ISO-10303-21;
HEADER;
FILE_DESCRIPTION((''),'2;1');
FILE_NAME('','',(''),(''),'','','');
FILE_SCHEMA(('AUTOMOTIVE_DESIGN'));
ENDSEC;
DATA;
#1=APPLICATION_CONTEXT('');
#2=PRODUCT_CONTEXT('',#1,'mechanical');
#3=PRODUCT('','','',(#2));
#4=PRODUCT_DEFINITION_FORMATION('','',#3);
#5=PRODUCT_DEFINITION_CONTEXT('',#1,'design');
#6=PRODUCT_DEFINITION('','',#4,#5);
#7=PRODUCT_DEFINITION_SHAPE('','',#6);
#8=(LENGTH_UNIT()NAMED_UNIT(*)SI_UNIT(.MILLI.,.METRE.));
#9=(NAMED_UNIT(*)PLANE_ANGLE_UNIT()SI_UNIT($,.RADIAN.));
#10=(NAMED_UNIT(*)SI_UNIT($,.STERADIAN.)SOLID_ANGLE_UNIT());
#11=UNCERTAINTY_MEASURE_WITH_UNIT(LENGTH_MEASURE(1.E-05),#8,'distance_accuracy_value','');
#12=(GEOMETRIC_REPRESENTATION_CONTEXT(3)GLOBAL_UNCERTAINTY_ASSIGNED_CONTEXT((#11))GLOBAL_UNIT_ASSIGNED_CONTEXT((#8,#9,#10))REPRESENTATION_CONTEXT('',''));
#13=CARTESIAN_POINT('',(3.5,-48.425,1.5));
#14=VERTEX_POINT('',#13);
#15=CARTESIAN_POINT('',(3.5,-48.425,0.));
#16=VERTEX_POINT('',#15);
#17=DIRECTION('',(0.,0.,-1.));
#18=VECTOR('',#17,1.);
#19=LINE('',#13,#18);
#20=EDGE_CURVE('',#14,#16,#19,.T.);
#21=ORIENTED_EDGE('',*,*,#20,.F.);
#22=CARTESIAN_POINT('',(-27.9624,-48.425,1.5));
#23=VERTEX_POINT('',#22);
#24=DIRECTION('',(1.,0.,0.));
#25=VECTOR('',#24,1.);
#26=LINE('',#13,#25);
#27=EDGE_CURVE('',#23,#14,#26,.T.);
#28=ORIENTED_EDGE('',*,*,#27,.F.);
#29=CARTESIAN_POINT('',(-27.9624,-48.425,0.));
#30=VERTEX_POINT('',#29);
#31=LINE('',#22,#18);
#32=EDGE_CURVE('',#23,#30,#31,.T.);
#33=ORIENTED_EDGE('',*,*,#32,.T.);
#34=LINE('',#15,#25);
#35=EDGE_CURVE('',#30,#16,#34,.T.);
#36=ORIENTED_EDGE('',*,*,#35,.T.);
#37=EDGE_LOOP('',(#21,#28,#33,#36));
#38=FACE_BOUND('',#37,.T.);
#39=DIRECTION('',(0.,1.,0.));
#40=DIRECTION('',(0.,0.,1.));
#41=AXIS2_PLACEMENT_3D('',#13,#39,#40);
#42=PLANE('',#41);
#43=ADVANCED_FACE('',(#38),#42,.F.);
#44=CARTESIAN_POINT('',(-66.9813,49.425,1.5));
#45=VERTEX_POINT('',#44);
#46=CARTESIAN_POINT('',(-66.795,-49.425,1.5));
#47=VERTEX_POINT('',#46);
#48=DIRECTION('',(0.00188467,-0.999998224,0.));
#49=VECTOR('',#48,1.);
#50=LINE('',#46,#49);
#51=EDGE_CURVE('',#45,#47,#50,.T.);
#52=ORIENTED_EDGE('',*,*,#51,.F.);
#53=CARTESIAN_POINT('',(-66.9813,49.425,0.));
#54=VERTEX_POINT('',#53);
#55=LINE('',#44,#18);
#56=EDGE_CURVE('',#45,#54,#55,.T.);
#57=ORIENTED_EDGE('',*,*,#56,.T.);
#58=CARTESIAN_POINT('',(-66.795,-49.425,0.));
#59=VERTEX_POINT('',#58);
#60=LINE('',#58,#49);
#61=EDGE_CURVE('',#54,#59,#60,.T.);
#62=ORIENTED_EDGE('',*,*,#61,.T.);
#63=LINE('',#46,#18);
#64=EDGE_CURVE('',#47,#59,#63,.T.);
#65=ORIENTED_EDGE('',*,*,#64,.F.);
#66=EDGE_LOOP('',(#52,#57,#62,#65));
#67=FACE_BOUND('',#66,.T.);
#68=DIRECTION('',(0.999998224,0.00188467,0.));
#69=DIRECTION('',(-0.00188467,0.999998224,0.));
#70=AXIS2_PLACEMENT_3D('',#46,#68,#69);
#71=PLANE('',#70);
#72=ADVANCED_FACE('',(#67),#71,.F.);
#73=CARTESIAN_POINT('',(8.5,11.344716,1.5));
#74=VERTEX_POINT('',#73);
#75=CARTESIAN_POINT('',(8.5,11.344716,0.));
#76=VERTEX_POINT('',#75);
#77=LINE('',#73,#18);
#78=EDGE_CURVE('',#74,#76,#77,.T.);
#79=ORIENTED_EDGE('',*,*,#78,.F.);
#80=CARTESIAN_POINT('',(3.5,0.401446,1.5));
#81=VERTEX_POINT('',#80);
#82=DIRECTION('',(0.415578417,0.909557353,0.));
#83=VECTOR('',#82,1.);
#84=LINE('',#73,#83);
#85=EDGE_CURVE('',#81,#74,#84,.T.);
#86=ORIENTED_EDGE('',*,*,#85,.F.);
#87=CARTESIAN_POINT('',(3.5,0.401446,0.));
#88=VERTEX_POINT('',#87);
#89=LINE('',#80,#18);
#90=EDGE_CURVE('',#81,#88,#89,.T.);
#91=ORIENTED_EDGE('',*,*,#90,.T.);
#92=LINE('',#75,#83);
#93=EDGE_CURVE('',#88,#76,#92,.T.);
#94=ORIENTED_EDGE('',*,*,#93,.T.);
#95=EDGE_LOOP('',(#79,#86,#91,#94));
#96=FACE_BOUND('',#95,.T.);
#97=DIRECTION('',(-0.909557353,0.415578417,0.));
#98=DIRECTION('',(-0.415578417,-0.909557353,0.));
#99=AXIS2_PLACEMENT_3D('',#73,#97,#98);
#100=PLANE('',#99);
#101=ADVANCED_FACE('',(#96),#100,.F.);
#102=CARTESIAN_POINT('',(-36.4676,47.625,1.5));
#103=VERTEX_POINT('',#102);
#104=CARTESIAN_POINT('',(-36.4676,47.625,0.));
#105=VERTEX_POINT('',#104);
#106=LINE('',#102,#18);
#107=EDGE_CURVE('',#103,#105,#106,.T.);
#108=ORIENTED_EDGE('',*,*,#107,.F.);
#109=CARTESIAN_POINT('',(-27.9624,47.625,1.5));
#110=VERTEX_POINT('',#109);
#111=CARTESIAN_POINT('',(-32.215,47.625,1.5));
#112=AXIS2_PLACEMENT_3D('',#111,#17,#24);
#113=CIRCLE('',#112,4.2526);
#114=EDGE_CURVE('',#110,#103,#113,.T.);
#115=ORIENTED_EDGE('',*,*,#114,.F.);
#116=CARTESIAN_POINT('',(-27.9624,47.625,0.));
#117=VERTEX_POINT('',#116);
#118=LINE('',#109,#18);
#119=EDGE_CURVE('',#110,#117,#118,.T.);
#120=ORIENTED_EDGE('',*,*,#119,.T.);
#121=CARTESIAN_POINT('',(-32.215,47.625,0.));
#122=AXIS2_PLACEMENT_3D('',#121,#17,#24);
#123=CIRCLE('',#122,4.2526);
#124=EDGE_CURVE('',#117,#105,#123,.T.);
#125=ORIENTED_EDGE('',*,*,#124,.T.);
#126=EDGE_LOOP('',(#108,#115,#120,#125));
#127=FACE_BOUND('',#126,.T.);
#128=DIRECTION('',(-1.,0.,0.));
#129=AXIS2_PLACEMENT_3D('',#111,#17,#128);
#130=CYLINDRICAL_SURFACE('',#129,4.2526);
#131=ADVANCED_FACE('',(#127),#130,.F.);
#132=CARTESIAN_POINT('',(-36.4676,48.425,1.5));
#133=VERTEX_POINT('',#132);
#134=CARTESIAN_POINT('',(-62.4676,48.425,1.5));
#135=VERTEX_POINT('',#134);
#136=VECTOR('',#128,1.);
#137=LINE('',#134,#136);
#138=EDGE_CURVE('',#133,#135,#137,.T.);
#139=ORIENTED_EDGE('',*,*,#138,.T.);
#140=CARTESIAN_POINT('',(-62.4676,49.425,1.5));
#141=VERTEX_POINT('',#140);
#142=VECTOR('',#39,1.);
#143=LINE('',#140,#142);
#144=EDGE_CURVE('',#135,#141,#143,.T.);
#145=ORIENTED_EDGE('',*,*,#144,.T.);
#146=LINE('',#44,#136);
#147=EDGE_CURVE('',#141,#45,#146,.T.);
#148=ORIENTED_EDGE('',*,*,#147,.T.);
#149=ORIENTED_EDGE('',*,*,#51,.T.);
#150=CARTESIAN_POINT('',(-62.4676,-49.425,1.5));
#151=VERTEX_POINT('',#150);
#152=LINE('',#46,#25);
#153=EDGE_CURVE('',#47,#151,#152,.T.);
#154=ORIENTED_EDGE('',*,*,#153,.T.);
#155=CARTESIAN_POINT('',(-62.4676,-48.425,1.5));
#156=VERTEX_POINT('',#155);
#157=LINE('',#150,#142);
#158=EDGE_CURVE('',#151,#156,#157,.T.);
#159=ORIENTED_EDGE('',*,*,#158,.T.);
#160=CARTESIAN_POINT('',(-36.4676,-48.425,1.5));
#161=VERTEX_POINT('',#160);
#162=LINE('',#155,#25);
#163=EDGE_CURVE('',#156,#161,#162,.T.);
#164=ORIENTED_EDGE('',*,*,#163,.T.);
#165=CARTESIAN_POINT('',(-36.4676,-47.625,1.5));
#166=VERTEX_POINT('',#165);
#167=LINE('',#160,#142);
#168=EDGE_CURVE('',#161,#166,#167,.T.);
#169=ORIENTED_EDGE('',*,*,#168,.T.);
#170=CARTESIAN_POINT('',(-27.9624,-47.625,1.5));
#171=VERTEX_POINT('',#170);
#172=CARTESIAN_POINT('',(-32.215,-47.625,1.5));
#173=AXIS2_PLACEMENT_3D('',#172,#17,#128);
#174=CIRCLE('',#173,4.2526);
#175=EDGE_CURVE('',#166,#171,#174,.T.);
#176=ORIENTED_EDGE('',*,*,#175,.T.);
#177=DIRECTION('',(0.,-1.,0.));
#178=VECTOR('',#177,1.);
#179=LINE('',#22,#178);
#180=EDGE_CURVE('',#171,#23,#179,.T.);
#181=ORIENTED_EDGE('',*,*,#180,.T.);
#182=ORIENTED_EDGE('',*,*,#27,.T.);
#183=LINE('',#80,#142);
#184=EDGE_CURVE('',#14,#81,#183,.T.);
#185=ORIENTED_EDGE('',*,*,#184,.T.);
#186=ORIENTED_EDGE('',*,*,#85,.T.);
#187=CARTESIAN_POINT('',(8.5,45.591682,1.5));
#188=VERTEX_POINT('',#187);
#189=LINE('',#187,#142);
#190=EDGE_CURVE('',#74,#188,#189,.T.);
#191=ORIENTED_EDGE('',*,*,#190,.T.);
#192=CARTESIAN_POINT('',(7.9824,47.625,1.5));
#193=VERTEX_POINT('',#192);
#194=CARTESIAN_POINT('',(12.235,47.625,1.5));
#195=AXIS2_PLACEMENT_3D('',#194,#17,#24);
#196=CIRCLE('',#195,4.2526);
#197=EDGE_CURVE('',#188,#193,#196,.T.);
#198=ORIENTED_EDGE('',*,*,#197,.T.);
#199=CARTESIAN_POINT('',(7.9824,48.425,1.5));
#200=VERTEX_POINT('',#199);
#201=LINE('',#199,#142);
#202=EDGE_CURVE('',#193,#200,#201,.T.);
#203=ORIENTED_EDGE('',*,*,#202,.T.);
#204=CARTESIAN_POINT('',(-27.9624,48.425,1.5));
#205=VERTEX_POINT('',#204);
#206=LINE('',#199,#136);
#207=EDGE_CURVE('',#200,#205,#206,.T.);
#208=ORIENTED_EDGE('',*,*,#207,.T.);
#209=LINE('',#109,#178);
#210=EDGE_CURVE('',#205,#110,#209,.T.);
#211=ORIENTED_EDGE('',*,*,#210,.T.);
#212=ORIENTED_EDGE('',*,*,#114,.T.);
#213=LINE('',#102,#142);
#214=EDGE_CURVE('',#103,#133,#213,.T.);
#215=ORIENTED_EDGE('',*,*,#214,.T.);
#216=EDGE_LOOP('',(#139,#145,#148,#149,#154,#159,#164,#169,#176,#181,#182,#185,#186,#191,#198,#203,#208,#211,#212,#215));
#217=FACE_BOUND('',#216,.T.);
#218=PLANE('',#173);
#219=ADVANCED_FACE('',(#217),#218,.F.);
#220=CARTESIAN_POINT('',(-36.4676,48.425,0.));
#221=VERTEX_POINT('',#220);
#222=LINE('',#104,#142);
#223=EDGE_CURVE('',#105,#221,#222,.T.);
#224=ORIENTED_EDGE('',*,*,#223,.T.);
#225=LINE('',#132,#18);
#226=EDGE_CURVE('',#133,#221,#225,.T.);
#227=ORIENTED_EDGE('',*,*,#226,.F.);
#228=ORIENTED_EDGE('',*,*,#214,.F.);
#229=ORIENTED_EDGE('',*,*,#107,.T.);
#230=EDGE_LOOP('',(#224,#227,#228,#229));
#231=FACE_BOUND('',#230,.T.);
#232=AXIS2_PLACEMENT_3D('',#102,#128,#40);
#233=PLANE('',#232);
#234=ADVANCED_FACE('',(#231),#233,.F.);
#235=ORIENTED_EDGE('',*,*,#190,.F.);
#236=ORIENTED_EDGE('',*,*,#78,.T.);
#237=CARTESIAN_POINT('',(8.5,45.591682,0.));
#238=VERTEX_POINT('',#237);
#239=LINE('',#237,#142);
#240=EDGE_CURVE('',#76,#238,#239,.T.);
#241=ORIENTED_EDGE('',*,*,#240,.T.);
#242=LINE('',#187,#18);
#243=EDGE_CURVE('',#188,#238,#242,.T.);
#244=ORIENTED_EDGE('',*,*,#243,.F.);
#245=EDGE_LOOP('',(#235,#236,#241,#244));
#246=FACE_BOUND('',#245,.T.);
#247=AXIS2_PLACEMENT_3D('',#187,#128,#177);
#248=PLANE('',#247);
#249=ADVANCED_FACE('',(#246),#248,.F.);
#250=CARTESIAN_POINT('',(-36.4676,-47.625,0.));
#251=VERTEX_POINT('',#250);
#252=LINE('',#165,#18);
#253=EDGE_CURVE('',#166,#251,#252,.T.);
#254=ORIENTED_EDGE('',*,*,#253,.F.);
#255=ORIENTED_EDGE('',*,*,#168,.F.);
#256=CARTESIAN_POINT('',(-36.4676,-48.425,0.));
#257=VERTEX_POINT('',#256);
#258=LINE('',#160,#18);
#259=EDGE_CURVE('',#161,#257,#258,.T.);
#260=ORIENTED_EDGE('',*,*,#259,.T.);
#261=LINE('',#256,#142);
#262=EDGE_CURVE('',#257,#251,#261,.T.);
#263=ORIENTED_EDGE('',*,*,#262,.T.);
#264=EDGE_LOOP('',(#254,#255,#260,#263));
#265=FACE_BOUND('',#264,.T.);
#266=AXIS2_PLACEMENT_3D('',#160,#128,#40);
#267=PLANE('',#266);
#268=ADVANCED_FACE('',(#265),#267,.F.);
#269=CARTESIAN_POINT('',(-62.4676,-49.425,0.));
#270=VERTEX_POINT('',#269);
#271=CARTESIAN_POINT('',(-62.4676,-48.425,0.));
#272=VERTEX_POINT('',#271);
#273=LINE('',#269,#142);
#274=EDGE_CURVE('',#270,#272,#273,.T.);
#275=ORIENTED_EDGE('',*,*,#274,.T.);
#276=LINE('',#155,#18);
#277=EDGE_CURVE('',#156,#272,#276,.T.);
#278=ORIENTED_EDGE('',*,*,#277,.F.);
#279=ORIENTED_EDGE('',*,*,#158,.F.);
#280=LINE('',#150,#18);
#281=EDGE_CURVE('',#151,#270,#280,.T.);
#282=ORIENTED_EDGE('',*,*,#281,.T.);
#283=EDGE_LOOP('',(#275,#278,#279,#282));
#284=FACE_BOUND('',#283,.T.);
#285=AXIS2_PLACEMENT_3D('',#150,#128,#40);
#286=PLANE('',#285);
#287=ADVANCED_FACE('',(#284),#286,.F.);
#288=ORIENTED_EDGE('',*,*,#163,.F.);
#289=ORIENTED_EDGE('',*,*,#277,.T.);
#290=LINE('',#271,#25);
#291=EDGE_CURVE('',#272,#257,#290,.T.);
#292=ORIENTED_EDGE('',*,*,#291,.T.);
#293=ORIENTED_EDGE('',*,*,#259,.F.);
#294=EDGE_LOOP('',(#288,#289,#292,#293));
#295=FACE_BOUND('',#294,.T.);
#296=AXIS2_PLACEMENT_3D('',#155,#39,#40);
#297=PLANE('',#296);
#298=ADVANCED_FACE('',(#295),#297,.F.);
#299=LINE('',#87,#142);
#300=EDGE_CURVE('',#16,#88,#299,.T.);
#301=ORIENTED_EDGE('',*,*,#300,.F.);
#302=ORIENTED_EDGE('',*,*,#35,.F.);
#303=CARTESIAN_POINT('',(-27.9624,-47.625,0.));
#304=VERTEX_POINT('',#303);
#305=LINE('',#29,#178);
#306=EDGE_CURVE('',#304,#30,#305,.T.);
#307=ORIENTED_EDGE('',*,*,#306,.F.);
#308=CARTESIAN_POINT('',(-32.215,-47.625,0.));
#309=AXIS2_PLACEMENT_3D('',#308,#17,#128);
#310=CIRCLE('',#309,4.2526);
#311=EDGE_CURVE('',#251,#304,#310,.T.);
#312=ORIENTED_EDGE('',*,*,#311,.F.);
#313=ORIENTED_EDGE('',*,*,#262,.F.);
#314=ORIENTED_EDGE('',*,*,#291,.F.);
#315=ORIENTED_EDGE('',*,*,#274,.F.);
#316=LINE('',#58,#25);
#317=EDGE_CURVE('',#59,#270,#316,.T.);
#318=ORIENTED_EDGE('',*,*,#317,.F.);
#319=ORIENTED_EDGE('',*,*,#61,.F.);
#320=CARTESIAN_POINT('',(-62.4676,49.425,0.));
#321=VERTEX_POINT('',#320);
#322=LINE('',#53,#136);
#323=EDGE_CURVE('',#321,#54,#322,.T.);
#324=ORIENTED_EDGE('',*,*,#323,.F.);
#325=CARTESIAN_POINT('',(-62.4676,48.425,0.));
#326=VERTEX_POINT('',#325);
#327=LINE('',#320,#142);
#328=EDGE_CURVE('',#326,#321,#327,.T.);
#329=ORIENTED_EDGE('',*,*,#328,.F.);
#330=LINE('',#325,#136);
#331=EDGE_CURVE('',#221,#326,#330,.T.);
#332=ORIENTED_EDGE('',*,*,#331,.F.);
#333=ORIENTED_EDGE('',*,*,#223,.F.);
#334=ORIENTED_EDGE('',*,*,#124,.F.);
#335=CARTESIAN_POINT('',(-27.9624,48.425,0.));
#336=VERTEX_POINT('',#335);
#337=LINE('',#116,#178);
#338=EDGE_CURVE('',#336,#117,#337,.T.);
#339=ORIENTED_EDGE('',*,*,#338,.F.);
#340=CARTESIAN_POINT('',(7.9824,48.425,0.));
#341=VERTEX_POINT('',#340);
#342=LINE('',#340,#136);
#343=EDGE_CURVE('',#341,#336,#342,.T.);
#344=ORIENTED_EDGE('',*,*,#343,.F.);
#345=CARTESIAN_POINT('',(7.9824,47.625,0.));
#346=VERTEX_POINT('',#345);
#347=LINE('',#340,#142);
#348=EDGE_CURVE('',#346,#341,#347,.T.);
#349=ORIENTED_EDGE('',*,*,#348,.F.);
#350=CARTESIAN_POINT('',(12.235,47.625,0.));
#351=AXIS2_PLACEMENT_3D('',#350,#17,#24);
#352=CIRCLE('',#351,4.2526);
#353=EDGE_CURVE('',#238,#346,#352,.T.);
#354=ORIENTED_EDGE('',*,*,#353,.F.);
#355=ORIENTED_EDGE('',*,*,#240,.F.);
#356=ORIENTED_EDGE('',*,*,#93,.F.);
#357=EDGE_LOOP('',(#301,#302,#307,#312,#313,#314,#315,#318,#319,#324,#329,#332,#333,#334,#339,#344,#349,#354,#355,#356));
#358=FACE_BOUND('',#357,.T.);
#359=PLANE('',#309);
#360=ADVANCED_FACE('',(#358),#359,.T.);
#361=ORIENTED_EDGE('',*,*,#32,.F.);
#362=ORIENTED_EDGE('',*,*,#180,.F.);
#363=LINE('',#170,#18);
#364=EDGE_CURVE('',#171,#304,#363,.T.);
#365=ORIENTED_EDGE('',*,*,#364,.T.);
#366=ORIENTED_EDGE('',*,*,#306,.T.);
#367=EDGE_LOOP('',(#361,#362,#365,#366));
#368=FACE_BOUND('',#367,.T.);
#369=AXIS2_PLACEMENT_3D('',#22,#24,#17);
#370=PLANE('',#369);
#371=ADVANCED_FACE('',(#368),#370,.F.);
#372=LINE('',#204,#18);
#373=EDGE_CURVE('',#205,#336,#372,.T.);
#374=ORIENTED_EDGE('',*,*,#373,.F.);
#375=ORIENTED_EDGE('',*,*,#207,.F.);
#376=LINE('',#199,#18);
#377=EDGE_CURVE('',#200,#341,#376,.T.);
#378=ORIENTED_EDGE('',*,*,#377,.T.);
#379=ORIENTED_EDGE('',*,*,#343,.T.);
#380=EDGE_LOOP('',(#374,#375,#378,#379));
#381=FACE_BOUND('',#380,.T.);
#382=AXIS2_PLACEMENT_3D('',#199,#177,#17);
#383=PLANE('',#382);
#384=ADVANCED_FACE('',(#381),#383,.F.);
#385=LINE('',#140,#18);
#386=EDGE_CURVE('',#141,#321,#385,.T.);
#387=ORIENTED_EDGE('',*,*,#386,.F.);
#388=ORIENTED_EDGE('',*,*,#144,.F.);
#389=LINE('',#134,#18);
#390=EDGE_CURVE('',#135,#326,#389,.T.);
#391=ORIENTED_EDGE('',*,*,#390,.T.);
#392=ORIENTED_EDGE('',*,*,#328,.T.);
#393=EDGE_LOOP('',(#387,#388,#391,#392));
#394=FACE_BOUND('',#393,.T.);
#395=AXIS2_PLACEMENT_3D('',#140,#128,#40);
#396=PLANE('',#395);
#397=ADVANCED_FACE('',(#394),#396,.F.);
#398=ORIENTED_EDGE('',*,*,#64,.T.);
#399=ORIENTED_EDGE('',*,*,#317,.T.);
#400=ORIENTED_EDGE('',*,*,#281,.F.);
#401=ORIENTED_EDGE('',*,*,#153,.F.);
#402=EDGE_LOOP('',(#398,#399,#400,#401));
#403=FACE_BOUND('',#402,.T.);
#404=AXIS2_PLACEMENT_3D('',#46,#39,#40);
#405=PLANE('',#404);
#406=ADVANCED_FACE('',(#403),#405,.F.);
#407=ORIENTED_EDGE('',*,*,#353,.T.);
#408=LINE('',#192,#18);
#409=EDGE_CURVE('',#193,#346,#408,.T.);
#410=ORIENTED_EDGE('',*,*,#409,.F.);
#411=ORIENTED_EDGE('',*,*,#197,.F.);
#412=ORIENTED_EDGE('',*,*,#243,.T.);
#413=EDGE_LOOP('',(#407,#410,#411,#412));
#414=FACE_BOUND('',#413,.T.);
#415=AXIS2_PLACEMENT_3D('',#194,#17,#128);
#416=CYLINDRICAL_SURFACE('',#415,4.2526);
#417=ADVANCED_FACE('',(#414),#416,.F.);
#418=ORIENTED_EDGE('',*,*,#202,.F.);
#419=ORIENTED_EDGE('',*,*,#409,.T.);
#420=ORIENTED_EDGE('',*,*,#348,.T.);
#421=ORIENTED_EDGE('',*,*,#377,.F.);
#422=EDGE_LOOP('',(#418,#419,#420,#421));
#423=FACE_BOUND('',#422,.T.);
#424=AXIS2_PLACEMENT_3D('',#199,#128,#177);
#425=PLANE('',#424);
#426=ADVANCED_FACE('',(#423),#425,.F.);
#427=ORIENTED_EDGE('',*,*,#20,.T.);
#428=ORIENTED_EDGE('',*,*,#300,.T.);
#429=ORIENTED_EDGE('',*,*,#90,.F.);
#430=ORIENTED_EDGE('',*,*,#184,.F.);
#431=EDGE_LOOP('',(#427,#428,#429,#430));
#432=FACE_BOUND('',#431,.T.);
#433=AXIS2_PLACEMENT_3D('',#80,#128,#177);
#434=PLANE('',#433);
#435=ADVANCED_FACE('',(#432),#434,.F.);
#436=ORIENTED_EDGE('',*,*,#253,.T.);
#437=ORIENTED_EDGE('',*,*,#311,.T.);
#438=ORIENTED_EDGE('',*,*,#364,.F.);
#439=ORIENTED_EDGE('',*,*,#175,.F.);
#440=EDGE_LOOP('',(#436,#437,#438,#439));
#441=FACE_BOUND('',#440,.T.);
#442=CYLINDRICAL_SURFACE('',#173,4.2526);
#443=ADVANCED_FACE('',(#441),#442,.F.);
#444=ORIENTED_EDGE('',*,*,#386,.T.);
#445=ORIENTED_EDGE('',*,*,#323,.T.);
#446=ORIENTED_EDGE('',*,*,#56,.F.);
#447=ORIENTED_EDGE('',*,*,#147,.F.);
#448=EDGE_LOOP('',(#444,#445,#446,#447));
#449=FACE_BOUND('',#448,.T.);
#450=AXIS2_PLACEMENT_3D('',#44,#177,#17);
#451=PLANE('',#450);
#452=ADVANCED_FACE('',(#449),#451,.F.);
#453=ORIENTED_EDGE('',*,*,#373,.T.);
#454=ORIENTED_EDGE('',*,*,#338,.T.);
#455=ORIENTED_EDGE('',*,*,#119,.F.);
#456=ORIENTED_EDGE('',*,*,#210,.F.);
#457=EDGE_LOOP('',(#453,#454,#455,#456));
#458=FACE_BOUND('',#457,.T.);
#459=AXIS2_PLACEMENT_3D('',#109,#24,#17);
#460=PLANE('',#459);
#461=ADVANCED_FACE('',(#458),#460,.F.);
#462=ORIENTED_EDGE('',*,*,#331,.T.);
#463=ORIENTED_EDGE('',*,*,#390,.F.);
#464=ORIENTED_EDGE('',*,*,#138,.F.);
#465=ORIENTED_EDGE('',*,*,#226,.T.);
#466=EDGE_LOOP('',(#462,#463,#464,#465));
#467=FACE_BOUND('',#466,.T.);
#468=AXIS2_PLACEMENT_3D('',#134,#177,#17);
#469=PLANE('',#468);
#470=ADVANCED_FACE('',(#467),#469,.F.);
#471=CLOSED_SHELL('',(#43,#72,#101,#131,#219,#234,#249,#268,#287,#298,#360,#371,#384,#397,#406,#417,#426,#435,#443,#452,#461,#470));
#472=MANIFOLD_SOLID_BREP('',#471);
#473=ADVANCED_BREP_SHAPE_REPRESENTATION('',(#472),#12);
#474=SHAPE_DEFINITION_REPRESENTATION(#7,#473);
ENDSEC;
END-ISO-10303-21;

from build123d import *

# Parameters (mm, degrees)
BOSS_EXTRUDE1_DEPTH = 1.5


with BuildPart() as part:
    # Sketch1 → Boss-Extrude1 (new body)
    with BuildSketch(Plane.XY):
        with BuildLine():
            Line((-66.795, -49.425), (-66.9813, 49.425))
            Line((-66.9813, 49.425), (-62.4676, 49.425))
            Line((-62.4676, 49.425), (-62.4676, 48.425))
            Line((-62.4676, 48.425), (-36.4676, 48.425))
            Line((-36.4676, 48.425), (-36.4676, 47.625))
            ThreePointArc((-36.4676, 47.625), (-32.215, 43.3724), (-27.9624, 47.625))
            Line((-27.9624, 47.625), (-27.9624, 48.425))
            Line((-27.9624, 48.425), (7.9824, 48.425))
            Line((7.9824, 48.425), (7.9824, 47.625))
            ThreePointArc((7.9824, 47.625), (8.113831006, 46.575918078), (8.5, 45.591682081))
            Line((8.5, 45.591682081), (8.5, 11.344715994))
            Line((8.5, 11.344715994), (3.5, 0.401446139))
            Line((3.5, 0.401446139), (3.5, -48.425))
            Line((3.5, -48.425), (-27.9624, -48.425))
            Line((-27.9624, -48.425), (-27.9624, -47.625))
            ThreePointArc((-27.9624, -47.625), (-32.215, -43.3724), (-36.4676, -47.625))
            Line((-36.4676, -47.625), (-36.4676, -48.425))
            Line((-36.4676, -48.425), (-62.4676, -48.425))
            Line((-62.4676, -48.425), (-62.4676, -49.425))
            Line((-62.4676, -49.425), (-66.795, -49.425))
        make_face()
    extrude(amount=BOSS_EXTRUDE1_DEPTH)


solid = part.part
